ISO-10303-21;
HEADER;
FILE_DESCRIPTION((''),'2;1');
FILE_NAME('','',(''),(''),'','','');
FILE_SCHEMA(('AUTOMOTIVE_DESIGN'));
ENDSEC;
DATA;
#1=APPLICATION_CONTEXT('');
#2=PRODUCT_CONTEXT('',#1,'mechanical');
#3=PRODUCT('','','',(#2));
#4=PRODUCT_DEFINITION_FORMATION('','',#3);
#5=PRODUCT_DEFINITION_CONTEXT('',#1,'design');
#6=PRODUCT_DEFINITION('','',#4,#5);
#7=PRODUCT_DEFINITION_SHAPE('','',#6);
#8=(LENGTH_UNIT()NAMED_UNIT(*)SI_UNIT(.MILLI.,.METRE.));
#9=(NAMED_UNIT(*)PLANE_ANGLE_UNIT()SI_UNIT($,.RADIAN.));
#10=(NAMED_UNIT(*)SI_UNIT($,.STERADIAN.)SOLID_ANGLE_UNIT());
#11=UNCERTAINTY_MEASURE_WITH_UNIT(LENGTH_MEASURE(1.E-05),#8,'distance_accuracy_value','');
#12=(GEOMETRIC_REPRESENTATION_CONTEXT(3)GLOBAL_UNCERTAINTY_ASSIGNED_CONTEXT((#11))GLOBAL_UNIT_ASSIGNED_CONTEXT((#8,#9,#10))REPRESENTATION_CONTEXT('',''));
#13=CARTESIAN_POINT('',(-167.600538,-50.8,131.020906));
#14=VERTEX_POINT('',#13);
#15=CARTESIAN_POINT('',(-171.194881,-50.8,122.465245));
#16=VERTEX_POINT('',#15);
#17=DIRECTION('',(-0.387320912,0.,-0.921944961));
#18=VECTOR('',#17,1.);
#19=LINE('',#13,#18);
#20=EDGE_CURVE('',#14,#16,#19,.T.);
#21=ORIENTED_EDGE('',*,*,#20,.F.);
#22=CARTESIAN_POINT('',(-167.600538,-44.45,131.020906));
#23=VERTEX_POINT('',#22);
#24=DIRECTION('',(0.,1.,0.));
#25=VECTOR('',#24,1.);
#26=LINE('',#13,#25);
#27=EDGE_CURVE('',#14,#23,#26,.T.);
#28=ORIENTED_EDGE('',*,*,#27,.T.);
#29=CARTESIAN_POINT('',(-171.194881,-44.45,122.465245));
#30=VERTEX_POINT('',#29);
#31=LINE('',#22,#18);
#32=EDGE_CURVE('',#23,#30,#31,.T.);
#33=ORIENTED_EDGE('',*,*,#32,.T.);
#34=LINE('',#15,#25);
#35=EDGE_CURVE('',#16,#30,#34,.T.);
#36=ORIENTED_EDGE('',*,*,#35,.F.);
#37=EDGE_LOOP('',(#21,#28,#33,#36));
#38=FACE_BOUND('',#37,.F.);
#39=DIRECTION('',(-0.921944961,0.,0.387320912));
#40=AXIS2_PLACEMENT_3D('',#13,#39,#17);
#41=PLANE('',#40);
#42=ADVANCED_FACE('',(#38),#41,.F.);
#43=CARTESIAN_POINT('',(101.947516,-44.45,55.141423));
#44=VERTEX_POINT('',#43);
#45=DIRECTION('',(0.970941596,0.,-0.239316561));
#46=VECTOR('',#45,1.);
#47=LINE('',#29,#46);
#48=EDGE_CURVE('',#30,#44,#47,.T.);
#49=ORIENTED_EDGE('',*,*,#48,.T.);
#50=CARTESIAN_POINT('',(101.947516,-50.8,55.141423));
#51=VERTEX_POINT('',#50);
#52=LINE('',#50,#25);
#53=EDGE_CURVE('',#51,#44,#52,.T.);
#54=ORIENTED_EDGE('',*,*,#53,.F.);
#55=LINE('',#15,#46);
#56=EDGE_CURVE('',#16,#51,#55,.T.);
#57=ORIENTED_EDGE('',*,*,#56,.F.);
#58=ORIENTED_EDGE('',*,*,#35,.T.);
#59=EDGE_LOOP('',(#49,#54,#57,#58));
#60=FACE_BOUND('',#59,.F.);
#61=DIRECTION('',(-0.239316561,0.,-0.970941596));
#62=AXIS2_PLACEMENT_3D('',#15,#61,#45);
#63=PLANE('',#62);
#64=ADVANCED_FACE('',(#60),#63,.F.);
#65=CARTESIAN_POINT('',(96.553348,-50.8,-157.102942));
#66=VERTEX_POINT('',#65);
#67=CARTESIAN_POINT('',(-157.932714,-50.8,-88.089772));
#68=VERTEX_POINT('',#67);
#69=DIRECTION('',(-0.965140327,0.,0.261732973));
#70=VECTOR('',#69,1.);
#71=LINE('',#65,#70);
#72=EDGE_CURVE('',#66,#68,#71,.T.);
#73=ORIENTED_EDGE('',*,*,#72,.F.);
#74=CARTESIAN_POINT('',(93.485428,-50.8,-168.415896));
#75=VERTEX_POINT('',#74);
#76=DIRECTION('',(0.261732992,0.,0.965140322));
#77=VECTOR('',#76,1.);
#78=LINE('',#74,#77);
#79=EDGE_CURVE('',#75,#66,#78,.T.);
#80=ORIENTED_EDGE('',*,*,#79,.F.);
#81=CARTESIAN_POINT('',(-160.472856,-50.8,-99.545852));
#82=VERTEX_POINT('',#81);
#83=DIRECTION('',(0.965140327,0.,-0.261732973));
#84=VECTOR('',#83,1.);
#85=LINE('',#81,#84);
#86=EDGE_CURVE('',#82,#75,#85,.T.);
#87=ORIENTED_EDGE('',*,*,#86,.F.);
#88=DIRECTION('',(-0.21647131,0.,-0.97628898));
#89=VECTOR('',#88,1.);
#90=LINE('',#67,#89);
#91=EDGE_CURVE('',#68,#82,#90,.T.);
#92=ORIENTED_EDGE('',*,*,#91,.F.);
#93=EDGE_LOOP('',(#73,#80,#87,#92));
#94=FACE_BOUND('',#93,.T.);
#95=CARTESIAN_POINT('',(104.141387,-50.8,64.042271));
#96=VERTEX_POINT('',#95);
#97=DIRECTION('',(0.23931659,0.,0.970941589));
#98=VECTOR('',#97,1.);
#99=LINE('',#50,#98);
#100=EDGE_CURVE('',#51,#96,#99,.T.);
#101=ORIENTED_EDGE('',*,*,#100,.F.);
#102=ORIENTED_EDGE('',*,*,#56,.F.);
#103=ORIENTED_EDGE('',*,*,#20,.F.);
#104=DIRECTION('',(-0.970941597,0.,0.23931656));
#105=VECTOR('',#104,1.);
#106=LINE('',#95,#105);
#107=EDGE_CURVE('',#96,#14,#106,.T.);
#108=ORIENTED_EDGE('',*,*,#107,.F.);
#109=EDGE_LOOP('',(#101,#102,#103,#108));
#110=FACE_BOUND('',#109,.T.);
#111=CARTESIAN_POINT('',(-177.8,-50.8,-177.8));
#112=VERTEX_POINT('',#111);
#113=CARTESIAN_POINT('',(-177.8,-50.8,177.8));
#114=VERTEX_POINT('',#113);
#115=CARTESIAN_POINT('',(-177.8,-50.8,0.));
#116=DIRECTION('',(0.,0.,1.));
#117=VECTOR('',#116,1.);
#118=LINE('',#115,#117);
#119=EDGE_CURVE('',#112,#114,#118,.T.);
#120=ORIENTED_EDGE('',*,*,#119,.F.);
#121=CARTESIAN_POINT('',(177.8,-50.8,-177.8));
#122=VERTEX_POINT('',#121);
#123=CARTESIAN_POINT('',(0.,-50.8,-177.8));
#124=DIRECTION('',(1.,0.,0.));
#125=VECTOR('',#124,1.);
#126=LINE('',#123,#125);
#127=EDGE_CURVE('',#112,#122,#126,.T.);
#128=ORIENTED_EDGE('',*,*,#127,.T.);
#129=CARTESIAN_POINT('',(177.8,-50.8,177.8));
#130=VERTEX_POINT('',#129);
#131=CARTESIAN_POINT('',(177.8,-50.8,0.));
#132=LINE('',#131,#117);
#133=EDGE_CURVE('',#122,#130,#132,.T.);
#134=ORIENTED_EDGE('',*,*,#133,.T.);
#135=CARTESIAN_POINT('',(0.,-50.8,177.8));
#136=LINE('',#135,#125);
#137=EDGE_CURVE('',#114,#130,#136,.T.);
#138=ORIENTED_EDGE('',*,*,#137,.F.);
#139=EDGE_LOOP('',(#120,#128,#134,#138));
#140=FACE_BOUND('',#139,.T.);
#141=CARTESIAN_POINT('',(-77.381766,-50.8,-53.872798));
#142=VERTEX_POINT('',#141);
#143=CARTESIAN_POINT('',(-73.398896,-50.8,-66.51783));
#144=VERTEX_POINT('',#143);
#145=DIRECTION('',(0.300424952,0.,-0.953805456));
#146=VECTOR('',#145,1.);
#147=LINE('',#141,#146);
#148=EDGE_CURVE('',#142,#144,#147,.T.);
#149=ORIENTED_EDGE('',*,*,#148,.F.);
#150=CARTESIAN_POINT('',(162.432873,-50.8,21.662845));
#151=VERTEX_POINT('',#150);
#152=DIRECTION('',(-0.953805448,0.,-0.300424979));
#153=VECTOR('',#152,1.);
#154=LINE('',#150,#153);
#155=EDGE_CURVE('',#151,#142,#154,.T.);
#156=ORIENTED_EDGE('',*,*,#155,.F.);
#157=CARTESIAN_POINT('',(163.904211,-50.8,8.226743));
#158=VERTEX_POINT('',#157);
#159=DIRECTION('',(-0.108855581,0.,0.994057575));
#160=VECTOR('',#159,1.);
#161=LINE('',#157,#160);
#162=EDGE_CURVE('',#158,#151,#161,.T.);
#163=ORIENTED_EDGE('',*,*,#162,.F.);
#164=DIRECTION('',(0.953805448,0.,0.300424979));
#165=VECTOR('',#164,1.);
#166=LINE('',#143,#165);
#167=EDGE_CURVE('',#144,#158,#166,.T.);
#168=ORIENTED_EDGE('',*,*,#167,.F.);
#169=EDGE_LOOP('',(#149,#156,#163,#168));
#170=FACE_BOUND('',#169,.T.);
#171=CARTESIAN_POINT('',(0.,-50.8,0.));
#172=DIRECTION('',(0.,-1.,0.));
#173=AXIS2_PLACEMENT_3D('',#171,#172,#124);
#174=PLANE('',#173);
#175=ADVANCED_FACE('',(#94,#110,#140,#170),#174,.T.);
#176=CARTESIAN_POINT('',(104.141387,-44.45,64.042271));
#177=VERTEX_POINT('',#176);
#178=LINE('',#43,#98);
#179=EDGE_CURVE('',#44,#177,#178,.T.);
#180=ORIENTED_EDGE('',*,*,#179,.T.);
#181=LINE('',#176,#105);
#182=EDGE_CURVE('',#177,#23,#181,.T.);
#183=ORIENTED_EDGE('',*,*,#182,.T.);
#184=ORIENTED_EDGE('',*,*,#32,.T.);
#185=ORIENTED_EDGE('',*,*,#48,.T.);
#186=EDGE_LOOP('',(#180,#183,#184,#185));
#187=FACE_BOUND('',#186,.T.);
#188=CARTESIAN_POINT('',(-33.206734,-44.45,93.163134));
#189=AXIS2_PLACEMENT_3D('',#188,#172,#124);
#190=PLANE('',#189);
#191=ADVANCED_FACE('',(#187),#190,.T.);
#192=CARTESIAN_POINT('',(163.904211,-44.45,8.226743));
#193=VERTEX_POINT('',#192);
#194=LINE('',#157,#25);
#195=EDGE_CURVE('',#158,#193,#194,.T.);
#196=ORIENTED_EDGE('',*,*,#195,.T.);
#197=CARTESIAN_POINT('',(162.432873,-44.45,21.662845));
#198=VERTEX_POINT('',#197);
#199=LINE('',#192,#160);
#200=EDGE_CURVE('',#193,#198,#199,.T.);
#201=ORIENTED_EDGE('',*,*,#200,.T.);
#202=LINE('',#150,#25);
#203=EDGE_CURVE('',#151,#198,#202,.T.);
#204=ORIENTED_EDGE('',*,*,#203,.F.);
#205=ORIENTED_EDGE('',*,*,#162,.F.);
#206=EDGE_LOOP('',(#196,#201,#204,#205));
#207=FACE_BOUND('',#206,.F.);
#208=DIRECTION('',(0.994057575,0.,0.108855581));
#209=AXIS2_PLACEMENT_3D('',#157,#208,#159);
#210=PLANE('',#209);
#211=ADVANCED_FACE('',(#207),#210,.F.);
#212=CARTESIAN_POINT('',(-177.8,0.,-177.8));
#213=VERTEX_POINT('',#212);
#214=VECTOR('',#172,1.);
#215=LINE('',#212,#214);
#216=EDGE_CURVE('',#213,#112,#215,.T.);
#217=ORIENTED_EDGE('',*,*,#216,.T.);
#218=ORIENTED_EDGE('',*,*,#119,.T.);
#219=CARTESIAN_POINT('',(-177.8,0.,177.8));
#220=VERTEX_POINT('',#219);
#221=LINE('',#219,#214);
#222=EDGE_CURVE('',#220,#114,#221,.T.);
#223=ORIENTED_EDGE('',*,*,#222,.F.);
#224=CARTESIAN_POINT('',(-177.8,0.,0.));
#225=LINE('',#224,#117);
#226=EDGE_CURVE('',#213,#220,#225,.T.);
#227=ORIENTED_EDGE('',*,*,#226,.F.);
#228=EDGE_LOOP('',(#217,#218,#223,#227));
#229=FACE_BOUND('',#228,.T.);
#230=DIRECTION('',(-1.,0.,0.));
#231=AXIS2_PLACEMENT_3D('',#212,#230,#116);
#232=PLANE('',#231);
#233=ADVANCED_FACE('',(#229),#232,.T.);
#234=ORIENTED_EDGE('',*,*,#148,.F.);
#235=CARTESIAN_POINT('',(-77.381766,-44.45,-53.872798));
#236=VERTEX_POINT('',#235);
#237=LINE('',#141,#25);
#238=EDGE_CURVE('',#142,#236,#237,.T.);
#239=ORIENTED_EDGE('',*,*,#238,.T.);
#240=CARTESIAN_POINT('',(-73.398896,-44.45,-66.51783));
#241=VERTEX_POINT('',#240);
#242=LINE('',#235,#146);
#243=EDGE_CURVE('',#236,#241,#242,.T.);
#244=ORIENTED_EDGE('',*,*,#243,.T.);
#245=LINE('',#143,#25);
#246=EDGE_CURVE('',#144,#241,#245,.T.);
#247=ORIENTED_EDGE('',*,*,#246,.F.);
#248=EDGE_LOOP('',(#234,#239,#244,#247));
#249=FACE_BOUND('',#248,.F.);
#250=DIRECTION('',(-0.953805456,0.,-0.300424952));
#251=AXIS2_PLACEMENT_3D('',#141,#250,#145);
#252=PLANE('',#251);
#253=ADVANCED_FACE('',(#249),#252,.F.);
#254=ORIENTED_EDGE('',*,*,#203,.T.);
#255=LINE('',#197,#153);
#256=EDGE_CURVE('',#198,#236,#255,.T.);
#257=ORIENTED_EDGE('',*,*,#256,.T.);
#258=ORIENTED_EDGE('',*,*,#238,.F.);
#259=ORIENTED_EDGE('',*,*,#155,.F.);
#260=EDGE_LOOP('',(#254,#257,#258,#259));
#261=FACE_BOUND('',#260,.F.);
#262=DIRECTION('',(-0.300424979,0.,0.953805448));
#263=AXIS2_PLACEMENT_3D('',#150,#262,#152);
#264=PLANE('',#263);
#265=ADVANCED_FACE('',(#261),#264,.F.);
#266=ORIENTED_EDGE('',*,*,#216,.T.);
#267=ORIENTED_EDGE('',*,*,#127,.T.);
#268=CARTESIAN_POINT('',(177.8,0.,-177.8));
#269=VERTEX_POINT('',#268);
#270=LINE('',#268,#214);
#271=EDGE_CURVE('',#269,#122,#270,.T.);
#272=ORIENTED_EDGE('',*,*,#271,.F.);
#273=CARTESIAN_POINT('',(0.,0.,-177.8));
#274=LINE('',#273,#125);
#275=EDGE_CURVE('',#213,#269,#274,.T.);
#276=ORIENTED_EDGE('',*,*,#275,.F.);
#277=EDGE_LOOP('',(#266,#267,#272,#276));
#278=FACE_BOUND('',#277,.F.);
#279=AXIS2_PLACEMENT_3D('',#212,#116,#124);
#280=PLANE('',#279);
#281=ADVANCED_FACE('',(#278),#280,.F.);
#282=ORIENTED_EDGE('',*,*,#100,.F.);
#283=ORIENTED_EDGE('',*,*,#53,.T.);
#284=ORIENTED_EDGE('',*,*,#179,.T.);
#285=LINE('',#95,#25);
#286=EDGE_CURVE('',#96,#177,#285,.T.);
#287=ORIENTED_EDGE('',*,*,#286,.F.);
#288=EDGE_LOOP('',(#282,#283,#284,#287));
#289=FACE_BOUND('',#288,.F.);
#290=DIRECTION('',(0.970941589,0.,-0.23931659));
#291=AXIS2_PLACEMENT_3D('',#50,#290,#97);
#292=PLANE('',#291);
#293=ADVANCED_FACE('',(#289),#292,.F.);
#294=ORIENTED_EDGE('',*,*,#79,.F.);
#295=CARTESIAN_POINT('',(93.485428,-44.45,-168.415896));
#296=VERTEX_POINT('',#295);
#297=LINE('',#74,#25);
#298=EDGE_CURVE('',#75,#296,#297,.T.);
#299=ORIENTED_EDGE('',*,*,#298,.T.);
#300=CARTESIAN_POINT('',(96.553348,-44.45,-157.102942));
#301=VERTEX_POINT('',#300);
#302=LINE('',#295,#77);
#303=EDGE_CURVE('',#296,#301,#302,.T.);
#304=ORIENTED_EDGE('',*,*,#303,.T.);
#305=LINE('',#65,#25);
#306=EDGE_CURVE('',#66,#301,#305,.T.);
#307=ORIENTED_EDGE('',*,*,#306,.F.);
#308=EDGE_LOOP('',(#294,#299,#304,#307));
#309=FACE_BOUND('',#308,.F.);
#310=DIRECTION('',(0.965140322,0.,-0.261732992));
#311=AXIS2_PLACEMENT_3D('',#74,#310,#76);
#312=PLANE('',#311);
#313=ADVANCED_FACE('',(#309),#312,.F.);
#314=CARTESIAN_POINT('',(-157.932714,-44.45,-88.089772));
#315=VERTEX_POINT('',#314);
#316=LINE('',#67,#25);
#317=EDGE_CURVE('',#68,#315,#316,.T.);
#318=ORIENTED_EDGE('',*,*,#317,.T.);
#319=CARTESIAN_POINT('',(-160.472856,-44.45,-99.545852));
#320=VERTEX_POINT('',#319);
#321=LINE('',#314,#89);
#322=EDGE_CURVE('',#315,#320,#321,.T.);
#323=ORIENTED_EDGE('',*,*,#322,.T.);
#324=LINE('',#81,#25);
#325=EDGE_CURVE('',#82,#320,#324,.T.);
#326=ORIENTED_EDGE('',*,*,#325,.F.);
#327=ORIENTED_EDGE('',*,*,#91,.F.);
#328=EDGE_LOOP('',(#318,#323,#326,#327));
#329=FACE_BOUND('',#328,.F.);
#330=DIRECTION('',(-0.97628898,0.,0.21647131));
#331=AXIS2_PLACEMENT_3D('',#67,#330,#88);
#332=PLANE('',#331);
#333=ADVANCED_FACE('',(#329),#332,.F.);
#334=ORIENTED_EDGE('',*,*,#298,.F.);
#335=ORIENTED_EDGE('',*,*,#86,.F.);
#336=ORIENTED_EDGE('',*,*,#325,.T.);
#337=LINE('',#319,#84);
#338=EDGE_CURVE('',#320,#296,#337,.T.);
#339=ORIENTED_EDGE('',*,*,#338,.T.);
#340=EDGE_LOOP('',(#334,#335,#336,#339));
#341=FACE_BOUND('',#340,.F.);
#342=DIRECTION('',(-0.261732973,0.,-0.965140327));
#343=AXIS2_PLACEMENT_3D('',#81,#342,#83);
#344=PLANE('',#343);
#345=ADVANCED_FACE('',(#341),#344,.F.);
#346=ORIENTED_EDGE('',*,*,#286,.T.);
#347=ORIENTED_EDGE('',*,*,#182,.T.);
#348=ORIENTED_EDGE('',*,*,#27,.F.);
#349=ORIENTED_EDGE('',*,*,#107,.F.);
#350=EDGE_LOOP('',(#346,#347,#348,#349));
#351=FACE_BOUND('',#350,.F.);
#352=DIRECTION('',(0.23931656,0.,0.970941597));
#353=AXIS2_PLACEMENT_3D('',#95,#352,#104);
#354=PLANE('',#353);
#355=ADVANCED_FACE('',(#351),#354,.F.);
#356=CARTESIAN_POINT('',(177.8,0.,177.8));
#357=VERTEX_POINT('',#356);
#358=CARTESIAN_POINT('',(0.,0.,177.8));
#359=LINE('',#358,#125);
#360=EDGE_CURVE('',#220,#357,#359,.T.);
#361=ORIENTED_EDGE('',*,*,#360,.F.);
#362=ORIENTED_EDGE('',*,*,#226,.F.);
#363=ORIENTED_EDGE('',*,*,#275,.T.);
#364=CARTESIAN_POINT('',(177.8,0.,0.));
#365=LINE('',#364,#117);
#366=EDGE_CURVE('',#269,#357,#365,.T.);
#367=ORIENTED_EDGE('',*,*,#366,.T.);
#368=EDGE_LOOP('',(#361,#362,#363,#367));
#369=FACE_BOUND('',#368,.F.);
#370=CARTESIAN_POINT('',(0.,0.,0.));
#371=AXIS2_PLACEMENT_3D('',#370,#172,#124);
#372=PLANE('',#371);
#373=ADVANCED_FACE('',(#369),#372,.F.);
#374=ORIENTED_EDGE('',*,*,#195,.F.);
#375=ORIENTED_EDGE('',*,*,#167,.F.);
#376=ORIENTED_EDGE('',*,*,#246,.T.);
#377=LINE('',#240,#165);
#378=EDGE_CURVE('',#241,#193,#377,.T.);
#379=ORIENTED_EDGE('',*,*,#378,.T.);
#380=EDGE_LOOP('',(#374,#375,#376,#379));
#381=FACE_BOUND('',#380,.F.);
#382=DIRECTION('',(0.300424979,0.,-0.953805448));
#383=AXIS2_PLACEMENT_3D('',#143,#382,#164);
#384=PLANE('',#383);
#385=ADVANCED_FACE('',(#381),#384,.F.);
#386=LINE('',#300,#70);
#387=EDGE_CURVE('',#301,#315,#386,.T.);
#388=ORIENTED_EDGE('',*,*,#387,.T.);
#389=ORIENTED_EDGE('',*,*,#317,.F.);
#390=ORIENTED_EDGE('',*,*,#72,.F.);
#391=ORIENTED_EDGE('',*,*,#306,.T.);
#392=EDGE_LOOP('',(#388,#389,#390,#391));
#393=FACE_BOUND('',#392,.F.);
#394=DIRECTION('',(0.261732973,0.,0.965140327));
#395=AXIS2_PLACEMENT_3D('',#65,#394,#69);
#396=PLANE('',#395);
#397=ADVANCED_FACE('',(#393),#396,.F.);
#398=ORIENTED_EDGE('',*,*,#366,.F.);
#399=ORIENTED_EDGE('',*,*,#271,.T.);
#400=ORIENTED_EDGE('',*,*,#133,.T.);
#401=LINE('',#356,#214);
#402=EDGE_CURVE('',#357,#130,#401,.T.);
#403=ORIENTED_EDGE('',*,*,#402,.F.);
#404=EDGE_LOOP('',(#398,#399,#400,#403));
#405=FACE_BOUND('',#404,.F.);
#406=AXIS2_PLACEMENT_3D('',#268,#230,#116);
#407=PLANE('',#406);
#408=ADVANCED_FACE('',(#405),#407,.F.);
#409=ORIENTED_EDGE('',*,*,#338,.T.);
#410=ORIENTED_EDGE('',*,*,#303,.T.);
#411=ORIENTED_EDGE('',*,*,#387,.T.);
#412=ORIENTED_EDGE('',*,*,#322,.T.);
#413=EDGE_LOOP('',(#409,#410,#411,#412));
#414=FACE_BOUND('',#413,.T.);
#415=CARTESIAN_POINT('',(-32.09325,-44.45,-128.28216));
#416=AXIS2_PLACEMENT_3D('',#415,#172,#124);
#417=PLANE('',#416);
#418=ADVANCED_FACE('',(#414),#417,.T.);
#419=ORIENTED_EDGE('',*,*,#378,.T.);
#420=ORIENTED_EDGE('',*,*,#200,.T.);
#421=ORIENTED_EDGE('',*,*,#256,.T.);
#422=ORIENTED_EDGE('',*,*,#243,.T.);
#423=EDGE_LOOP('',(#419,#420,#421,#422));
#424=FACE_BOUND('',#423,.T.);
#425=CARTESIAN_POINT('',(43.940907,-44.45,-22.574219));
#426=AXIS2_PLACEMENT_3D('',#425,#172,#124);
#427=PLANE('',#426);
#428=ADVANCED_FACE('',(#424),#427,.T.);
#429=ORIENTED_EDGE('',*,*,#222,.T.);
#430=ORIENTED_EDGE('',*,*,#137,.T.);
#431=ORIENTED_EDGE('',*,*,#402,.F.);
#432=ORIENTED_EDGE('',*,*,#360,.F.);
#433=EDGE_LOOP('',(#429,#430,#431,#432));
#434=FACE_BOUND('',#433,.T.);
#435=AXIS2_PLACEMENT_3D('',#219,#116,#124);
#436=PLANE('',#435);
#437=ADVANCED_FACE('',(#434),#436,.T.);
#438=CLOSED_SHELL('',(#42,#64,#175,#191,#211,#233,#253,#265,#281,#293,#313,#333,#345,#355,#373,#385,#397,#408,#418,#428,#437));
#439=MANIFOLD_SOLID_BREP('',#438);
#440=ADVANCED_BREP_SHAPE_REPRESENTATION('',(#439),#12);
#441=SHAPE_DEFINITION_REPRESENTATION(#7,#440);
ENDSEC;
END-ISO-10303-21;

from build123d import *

# Parameters (mm, degrees)
F0_W     = 355.6
F0_H     = 355.6
F1_DEPTH = 50.8
F3_DEPTH = 6.35
F4_DEPTH = 6.35


with BuildPart() as f1:
    # F0 (on Front) → F1 (new body)
    with BuildSketch(Plane.XZ):
        Rectangle(F0_W, F0_H)
    extrude(amount=F1_DEPTH)

    # F2 (on face) → F3 (cut)
    with BuildSketch(Plane.XZ.offset(50.8)):
        Polygon((-167.600538, 131.020906), (-171.194881, 122.465245), (101.947516, 55.141423), (104.141387, 64.042271), align=None)
        Polygon((-77.381766, -53.872798), (-73.398896, -66.51783), (163.904211, 8.226743), (162.432873, 21.662845), align=None)
        Polygon((96.553348, -157.102942), (-157.932714, -88.089772), (-160.472856, -99.545852), (93.485428, -168.415896), align=None)
    extrude(amount=-F3_DEPTH, mode=Mode.SUBTRACT)

    # F2 (on face) → F4 (cut)
    with BuildSketch(Plane.XZ.offset(50.8)):
        Polygon((-167.600538, 131.020906), (-171.194881, 122.465245), (101.947516, 55.141423), (104.141387, 64.042271), align=None)
        Polygon((-77.381766, -53.872798), (-73.398896, -66.51783), (163.904211, 8.226743), (162.432873, 21.662845), align=None)
        Polygon((96.553348, -157.102942), (-157.932714, -88.089772), (-160.472856, -99.545852), (93.485428, -168.415896), align=None)
    extrude(amount=-F4_DEPTH, mode=Mode.SUBTRACT)


solid = f1.part
